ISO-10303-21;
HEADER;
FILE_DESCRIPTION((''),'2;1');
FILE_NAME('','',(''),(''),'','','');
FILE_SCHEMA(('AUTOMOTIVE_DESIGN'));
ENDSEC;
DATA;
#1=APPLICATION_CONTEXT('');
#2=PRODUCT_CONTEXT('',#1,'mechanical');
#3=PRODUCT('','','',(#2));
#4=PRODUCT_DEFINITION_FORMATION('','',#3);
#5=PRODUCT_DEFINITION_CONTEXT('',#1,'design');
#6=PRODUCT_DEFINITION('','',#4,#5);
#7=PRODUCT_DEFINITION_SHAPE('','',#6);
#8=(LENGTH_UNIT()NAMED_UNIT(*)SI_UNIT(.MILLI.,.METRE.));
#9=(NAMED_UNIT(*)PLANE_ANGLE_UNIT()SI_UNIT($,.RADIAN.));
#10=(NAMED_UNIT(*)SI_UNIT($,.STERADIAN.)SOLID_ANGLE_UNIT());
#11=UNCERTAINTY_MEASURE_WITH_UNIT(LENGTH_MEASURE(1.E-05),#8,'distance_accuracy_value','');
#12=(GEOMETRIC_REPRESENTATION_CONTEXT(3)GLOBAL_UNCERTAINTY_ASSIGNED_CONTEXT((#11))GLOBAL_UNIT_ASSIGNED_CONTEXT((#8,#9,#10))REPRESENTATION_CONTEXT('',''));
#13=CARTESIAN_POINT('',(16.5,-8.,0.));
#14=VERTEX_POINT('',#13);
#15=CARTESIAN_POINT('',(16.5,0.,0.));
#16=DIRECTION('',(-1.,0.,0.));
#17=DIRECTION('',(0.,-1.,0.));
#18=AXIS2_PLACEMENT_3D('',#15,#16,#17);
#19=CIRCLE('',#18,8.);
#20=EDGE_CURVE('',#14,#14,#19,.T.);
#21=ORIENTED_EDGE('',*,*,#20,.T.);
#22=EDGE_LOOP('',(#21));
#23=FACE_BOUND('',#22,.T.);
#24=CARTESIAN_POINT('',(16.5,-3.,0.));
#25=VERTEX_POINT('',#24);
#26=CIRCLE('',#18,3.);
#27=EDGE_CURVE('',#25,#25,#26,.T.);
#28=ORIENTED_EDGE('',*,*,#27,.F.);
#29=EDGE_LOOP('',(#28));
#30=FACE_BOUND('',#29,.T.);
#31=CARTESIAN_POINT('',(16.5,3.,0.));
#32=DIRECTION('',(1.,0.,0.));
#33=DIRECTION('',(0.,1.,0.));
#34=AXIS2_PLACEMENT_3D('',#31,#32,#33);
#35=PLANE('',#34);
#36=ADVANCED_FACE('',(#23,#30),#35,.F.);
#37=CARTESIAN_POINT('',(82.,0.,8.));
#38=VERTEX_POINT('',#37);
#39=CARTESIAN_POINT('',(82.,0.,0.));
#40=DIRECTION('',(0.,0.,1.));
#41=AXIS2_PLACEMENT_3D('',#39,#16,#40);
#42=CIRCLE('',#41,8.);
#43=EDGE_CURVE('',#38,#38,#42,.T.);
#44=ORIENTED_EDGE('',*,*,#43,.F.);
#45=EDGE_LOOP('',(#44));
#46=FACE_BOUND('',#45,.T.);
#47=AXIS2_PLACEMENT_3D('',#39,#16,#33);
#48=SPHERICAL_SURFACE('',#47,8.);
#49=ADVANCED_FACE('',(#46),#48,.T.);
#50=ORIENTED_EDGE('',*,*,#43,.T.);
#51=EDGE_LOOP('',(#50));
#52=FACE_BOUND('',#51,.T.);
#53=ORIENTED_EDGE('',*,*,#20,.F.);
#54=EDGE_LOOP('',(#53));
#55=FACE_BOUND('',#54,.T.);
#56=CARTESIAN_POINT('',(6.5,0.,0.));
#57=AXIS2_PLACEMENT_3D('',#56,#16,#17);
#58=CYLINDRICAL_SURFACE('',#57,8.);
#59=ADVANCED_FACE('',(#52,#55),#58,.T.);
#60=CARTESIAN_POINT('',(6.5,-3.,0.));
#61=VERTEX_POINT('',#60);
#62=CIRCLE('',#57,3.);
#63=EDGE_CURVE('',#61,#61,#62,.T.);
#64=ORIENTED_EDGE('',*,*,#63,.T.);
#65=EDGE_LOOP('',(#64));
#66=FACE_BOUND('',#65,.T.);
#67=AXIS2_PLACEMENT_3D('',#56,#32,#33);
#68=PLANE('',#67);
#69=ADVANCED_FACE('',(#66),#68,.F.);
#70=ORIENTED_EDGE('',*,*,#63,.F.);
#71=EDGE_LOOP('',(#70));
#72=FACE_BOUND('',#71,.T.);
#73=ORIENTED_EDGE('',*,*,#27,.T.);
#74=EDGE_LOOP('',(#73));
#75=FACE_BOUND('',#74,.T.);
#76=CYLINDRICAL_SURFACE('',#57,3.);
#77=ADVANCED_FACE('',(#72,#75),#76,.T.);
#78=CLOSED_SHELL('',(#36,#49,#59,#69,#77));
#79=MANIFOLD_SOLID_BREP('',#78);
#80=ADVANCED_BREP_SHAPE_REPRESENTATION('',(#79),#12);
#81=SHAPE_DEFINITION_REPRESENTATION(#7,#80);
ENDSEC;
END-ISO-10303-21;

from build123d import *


with BuildPart() as part:
    # Sketch1 → Revolve1 (revolve)
    with BuildSketch(Plane.XY, mode=Mode.PRIVATE) as revolve1_sk:
        Polygon((6.5, 0), (6.5, 3), (16.5, 3), (16.5, 8), (68, 8), (68, 0), align=None)
    revolve(revolve1_sk.sketch.rotate(Axis((6.5, 0, 0), (1, 0, 0)), 180), axis=Axis((6.5, 0, 0), (1, 0, 0)))

    # Sketch2 → Revolve2 (revolve)
    with BuildSketch(Plane.XY, mode=Mode.PRIVATE) as revolve2_sk:
        with BuildLine():
            Line((68, 0), (68, 8))
            Line((68, 8), (82, 8))
            ThreePointArc((82, 8), (87.656854249, 5.656854249), (90, 0))
            Line((90, 0), (68, 0))
        make_face()
    revolve(revolve2_sk.sketch.rotate(Axis((0, 0, 0), (1, 0, 0)), 180), axis=Axis((0, 0, 0), (1, 0, 0)))


solid = part.part
